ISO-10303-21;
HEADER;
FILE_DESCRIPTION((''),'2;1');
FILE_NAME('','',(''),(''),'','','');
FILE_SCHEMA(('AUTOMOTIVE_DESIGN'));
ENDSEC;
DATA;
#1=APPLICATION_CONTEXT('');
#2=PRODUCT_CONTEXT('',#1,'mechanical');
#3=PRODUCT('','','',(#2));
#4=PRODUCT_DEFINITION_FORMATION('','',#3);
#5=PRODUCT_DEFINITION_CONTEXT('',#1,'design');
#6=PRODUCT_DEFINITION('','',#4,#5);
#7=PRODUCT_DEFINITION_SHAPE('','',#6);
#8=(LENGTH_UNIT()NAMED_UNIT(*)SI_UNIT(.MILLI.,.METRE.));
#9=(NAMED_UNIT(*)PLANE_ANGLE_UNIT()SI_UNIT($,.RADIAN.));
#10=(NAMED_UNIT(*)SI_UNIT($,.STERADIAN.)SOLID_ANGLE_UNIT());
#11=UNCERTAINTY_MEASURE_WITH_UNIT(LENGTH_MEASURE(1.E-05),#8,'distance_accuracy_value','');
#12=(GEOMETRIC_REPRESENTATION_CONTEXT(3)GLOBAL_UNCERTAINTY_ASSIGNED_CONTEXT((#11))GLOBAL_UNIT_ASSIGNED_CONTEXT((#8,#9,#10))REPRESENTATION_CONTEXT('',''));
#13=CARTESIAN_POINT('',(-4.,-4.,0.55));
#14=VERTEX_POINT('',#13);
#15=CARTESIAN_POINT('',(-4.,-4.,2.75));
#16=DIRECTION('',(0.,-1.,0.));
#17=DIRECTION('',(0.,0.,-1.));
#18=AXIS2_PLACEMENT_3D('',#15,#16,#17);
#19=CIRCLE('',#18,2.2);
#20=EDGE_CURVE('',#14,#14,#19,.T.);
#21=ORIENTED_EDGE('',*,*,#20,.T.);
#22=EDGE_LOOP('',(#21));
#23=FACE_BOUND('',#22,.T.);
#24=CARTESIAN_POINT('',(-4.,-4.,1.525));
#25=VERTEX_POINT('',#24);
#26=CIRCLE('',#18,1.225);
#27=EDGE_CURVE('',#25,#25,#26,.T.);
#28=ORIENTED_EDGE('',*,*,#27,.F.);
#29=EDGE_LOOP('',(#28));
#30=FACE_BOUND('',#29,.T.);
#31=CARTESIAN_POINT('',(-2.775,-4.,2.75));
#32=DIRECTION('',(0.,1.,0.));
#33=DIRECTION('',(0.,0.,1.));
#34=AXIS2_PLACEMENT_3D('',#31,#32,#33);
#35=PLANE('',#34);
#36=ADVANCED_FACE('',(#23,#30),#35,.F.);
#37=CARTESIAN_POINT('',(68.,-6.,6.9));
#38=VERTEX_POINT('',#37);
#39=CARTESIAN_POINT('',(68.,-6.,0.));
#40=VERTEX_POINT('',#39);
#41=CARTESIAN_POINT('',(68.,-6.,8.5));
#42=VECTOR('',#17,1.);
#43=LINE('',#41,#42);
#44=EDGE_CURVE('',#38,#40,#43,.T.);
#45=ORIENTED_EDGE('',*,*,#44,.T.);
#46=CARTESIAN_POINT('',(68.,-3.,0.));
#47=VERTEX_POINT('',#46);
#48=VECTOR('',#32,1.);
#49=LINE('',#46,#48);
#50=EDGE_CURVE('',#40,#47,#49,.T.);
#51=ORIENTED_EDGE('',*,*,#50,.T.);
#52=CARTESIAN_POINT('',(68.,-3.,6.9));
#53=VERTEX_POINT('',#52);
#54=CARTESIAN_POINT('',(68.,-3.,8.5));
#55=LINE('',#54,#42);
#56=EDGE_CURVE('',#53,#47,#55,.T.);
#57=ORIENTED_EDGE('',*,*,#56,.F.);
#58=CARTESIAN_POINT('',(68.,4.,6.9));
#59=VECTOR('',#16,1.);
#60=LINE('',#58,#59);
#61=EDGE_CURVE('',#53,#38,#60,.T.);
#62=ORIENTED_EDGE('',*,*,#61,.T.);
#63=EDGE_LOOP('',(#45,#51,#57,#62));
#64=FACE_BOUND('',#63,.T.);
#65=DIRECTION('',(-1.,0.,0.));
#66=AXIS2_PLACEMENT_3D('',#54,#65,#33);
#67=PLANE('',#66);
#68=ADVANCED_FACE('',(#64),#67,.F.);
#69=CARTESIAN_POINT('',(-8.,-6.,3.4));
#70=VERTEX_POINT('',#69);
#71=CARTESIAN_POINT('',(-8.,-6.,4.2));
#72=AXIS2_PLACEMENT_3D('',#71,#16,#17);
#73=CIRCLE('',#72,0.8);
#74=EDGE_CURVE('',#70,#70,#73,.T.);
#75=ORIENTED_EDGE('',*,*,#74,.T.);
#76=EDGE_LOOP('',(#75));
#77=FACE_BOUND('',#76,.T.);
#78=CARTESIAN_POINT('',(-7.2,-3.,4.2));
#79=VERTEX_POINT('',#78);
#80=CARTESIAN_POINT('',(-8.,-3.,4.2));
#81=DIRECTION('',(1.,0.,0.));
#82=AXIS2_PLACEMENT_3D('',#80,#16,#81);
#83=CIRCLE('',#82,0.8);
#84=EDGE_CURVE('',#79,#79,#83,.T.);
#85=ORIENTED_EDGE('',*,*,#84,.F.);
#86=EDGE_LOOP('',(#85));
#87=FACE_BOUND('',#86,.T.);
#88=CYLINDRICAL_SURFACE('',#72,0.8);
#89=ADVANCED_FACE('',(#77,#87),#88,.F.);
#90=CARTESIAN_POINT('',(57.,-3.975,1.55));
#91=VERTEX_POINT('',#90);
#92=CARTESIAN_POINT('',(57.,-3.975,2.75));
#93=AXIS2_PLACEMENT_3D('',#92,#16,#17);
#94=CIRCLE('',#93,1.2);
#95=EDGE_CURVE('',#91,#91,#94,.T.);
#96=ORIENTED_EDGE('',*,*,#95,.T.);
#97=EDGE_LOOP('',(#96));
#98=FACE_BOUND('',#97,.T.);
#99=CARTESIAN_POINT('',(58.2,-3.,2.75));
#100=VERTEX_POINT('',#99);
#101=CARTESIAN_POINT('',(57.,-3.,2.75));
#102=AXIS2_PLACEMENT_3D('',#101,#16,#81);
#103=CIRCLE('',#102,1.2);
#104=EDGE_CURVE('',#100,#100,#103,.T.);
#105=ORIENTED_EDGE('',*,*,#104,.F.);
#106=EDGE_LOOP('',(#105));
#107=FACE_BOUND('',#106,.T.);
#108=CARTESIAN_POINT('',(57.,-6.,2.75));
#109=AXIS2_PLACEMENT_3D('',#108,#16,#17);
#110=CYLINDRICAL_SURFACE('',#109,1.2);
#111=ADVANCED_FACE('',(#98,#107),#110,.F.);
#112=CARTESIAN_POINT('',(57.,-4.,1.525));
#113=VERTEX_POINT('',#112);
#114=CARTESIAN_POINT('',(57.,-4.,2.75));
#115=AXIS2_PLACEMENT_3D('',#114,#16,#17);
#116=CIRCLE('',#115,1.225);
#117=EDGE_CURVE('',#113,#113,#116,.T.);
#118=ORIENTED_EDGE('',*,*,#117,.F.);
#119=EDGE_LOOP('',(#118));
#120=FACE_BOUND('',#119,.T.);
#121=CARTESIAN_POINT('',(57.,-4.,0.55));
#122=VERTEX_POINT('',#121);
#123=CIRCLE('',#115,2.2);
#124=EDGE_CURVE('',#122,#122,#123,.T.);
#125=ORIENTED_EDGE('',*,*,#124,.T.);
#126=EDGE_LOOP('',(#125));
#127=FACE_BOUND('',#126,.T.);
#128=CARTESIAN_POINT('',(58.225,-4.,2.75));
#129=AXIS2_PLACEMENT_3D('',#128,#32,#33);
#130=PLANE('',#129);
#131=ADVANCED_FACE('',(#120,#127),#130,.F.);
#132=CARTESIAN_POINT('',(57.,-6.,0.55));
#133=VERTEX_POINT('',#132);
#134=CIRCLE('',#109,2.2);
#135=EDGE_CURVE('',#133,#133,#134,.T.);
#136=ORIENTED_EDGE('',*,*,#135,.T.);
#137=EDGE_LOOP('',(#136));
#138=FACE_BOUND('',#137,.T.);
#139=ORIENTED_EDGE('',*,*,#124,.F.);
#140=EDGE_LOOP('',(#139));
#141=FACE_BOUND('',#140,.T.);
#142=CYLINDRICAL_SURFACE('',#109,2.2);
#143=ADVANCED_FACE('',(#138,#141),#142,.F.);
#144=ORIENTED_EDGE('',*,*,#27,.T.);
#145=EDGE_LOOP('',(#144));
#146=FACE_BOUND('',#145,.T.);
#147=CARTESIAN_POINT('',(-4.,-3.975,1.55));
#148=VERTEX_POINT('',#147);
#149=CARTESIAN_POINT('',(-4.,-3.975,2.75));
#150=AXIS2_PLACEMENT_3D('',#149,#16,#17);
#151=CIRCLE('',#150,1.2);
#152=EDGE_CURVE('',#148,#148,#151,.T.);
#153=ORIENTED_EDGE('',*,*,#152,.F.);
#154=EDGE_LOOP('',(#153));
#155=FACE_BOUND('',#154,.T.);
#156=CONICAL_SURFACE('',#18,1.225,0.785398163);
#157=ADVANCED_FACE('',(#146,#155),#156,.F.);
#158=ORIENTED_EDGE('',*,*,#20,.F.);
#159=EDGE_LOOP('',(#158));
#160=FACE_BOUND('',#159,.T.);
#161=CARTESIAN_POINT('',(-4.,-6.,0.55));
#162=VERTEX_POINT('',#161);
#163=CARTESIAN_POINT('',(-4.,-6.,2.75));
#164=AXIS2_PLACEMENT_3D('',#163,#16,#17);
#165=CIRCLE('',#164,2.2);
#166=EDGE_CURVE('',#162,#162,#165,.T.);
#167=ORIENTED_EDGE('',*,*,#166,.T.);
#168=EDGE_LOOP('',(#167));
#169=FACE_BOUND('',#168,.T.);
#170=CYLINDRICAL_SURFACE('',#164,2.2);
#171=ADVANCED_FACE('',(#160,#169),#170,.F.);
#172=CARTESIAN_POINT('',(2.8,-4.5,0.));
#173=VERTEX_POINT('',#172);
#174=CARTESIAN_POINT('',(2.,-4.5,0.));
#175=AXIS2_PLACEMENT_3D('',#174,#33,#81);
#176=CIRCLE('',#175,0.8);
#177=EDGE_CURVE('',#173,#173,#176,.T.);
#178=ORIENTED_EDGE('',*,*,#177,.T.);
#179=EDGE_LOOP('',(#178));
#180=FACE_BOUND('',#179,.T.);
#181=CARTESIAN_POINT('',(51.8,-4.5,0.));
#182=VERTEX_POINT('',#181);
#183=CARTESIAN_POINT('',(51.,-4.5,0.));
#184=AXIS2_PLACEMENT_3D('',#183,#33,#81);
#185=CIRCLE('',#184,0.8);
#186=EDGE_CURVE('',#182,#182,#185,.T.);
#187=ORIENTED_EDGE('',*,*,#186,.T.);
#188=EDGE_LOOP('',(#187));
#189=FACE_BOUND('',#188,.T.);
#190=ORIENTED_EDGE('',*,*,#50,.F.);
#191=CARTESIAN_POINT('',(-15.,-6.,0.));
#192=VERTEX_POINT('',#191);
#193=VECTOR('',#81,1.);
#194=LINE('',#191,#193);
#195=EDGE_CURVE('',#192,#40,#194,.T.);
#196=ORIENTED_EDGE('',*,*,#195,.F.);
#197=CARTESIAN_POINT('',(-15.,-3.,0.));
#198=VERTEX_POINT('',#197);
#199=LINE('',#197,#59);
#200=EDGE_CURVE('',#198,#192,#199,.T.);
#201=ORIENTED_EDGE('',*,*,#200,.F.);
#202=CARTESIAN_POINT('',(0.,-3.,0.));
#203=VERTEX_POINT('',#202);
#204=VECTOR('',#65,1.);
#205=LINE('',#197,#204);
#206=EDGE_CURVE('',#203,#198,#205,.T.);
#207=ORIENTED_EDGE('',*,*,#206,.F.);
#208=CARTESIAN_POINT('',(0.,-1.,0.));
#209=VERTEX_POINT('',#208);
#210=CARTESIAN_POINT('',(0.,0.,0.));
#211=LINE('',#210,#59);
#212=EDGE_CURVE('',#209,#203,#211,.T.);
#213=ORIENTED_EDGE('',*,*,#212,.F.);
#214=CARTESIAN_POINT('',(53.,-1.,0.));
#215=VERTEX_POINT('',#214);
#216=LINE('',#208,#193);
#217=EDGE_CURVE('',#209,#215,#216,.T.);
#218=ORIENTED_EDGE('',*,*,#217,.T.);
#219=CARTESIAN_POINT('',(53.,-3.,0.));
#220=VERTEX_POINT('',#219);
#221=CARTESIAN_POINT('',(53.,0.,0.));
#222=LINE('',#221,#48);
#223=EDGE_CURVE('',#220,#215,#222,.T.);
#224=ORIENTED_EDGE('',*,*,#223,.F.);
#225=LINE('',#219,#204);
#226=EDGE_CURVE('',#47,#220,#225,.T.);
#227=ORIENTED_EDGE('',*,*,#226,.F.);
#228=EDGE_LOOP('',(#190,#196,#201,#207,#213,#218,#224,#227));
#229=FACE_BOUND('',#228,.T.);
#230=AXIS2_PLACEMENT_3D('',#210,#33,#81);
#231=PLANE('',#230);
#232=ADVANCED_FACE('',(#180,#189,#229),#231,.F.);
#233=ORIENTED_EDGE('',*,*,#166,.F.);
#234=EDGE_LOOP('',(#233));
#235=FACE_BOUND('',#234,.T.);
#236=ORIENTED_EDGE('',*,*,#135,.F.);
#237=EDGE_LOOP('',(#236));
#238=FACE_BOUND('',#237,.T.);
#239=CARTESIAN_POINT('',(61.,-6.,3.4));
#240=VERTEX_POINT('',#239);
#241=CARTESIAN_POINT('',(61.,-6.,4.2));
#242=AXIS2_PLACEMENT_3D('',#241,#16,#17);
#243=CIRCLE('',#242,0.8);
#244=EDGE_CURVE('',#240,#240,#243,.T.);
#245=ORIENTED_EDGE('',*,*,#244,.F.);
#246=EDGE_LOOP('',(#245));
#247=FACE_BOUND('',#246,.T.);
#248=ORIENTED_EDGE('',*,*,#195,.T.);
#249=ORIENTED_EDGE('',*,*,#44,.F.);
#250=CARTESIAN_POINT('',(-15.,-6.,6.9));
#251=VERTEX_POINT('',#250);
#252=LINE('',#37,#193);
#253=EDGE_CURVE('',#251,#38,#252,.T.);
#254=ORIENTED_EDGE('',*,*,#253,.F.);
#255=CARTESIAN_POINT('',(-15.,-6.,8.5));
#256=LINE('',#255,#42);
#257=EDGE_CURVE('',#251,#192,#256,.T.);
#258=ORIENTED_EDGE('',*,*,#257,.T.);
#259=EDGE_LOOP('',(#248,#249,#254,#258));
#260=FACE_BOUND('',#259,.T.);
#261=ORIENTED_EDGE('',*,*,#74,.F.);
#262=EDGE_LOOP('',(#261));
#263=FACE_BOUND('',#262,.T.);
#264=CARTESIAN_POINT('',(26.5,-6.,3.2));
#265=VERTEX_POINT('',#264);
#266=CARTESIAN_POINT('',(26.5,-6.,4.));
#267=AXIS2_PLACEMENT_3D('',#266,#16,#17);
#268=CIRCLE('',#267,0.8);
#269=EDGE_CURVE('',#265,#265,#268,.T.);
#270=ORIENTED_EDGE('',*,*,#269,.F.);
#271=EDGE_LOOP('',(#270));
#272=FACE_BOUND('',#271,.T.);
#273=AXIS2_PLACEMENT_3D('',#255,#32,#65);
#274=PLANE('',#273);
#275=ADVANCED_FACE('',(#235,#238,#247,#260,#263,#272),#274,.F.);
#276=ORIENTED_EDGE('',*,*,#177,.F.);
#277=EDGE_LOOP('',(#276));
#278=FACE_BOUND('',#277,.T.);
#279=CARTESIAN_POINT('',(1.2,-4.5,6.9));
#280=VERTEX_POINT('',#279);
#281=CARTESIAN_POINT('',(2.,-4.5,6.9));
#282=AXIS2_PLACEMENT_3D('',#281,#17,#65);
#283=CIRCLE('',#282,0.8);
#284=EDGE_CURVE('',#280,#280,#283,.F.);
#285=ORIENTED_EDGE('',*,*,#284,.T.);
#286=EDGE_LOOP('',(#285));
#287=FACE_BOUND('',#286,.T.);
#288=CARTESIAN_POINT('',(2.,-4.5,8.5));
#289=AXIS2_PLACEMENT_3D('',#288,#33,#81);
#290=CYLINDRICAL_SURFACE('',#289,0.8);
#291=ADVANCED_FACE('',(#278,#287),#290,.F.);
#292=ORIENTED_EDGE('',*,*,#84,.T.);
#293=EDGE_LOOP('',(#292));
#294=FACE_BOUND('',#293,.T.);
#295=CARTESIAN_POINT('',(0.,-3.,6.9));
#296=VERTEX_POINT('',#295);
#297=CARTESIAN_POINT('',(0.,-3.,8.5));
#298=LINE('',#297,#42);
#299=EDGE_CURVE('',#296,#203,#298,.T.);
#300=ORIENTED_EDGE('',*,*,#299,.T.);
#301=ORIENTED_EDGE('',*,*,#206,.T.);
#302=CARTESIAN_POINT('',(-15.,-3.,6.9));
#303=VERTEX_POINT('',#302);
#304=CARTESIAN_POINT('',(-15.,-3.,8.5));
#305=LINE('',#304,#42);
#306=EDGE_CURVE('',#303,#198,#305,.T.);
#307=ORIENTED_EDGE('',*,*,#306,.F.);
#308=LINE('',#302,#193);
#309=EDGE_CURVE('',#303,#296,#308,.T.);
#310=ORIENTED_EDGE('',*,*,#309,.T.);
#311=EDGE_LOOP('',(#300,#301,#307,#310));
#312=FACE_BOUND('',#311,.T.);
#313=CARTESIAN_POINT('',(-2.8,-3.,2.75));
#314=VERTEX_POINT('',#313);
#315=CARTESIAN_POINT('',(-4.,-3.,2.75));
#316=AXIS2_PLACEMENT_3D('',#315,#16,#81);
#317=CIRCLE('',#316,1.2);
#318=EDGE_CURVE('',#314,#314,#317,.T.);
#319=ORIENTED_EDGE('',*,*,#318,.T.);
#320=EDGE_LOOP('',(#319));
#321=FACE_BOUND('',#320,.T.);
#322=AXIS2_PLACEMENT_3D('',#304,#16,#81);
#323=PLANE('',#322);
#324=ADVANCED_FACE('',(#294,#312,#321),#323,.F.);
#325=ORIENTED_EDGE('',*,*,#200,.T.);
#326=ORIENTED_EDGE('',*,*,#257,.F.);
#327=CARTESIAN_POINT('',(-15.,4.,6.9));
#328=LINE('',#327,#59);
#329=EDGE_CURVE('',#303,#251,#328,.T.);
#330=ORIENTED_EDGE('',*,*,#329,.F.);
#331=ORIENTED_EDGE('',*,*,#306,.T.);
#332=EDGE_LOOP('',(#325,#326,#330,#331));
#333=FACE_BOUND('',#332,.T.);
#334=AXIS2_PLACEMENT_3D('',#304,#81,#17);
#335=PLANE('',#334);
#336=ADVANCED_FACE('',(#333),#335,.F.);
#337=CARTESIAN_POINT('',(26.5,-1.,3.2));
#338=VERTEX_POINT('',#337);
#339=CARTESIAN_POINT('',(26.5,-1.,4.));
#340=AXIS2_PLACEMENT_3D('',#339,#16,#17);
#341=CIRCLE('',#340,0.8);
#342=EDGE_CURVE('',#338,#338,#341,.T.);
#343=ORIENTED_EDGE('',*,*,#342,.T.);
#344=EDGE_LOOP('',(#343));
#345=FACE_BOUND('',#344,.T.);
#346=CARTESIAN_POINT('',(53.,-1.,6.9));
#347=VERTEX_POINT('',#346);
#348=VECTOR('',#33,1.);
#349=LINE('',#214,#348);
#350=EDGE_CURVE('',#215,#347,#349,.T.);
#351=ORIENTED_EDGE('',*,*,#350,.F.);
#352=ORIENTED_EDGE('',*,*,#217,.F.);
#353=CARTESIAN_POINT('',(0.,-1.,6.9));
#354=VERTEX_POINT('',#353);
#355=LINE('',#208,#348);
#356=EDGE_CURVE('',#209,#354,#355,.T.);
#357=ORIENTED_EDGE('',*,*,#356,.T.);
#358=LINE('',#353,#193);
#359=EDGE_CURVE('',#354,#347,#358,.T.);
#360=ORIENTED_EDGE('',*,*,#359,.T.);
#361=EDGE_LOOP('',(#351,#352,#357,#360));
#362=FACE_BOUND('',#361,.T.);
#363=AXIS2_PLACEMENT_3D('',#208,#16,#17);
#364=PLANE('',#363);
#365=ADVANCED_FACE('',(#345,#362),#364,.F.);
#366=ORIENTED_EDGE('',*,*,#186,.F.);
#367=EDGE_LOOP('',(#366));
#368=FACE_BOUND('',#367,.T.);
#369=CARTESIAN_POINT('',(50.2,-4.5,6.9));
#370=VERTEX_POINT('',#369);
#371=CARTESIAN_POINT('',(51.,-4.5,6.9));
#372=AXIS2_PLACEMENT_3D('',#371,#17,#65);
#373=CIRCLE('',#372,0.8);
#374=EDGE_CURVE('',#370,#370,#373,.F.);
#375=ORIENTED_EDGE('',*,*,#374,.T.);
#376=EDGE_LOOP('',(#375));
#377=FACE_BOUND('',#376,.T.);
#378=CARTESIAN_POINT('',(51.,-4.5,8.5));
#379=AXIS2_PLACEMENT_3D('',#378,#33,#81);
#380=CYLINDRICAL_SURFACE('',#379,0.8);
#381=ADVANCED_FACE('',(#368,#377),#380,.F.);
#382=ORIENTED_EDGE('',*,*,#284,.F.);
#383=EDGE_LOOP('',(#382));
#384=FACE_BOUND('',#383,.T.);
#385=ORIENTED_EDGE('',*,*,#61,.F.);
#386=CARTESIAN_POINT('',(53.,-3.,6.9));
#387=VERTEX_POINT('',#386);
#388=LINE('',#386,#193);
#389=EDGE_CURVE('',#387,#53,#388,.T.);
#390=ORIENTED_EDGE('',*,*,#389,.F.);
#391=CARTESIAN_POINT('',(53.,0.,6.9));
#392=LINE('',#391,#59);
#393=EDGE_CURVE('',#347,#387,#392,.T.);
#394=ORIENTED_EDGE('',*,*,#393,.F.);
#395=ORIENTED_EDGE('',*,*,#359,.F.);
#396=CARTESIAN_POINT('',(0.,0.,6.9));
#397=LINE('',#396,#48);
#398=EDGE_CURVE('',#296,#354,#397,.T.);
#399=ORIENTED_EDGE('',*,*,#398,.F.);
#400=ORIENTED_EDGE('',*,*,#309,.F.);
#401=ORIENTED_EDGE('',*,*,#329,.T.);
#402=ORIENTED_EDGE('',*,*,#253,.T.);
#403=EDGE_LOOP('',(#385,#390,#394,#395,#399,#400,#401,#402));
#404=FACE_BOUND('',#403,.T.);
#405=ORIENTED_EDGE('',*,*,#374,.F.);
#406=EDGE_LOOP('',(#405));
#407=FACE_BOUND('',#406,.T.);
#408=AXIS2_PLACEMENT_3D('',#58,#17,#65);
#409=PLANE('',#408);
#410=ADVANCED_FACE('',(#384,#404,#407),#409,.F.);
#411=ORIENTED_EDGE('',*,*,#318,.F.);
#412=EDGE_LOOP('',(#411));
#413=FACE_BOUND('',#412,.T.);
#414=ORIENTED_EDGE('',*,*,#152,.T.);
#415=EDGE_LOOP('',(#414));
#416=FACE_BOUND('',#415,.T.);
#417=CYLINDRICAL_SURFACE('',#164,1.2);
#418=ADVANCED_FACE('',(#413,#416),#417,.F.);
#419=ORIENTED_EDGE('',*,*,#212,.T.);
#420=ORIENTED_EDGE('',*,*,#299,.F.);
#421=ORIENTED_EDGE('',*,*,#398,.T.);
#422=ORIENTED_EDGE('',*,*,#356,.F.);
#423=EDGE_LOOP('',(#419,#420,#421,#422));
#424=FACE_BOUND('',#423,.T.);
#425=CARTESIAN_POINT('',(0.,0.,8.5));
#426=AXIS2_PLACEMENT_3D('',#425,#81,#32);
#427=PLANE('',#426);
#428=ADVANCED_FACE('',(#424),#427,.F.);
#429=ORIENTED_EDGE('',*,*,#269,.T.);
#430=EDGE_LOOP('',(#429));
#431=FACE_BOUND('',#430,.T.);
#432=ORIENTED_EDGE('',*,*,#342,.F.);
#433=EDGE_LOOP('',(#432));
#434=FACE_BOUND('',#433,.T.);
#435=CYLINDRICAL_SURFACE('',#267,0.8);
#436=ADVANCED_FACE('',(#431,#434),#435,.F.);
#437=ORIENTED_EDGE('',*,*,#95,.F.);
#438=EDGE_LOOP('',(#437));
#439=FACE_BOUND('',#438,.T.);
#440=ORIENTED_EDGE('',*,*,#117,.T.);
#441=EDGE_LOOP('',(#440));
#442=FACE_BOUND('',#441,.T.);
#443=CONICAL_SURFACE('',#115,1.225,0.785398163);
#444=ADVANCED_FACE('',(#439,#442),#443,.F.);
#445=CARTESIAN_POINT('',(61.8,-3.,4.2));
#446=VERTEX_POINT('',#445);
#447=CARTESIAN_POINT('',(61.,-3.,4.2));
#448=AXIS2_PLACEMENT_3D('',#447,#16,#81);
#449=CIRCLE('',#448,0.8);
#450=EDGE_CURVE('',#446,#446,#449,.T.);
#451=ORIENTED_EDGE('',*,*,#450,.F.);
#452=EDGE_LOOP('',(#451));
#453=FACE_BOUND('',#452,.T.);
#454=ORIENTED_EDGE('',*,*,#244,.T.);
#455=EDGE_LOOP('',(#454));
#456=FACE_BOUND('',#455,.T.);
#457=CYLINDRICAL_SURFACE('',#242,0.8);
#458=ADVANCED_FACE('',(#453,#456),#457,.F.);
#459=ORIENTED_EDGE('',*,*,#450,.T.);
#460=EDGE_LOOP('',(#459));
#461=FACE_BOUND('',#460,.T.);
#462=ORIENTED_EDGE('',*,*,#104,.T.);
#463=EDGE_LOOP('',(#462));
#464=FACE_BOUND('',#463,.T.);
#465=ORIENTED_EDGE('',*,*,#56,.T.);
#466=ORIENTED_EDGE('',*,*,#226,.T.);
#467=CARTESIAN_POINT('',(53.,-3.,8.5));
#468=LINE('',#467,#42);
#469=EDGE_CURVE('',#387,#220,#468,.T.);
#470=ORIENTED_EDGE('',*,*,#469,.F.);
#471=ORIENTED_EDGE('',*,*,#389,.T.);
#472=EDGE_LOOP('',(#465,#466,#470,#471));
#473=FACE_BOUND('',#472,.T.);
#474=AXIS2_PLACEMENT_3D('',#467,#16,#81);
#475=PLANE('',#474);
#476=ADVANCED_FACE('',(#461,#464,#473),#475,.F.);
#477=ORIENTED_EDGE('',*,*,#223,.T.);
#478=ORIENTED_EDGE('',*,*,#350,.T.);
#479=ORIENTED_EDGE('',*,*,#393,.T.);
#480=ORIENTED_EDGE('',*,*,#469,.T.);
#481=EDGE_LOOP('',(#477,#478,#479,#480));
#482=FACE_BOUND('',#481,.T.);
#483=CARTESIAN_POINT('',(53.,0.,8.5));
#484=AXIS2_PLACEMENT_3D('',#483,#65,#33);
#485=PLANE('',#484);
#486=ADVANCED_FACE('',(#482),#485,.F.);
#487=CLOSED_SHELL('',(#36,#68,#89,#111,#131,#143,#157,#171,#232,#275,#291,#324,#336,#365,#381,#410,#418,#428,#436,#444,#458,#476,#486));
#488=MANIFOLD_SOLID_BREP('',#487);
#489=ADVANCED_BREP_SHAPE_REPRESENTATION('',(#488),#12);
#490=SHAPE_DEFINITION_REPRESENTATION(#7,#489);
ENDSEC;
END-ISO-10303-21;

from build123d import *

# Parameters (mm, degrees)
BOSS_EXTRUDE1_DEPTH                            = 8.5
CBORE_FOR_M2_SOCKET_HEAD_CAP_SCREW1_AT_2_COUNT = 2
CBORE_FOR_M2_SOCKET_HEAD_CAP_SCREW1_AT_2_PITCH = 61
SKETCH8_W                                      = 53
SKETCH8_H                                      = 1
CUT_EXTRUDE1_DEPTH                             = 9.5
M2X0_4_TAPPED_HOLE8_D                          = 1.6
SKETCH14_W                                     = 83
SKETCH14_H                                     = 1.6
CUT_EXTRUDE2_DEPTH                             = 10
M2X0_4_TAPPED_HOLE7_D                          = 1.6
M2X0_4_TAPPED_HOLE6_D                          = 1.6
M2X0_4_TAPPED_HOLE6_DEPTH                      = 5.2
M2X0_4_TAPPED_HOLE6_TIP                        = 0.480688495


with BuildPart() as part:
    # Sketch1 → Boss-Extrude1 (new body)
    with BuildSketch(Plane.XY):
        Polygon((53, -3), (68, -3), (68, -6), (-15, -6), (-15, -3), (0, -3), (0, 0), (53, 0), align=None)
    extrude(amount=BOSS_EXTRUDE1_DEPTH)

    # Sketch4 → CBORE for M2 Socket Head Cap Screw1 (revolve, cut)
    with BuildSketch(Plane(origin=(-4, -6, 2.75), x_dir=(0, 0, -1), z_dir=(1, 0, 0))):
        Polygon((0, 0), (0, 6), (1.2, 6), (1.2, 2.025), (1.225, 2), (2.2, 2), (2.2, 0), align=None)
    cbore_for_m2_socket_head_cap_screw1 = revolve(axis=Axis((-4, -12.35, 2.75), (0, 1, 0)), mode=Mode.SUBTRACT)

    # CBORE for M2 Socket Head Cap Screw1 at 2: CBORE for M2 Socket Head Cap Screw1 ×2
    with Locations(*[(i * CBORE_FOR_M2_SOCKET_HEAD_CAP_SCREW1_AT_2_PITCH, 0, 0) for i in range(1, CBORE_FOR_M2_SOCKET_HEAD_CAP_SCREW1_AT_2_COUNT)]):
        add(cbore_for_m2_socket_head_cap_screw1, mode=Mode.SUBTRACT)

    # Sketch8 → Cut-Extrude1 (cut, through all)
    with BuildSketch(Plane.XY.offset(8.5)):
        with Locations((26.5, -0.5)):
            Rectangle(SKETCH8_W, SKETCH8_H)
    extrude(amount=-CUT_EXTRUDE1_DEPTH, mode=Mode.SUBTRACT)

    # M2x0.4 Tapped Hole8 (through all)
    with Locations(Plane.XY.offset(8.5)):
        with Locations((2, -4.5), (51, -4.5)):
            Hole(M2X0_4_TAPPED_HOLE8_D / 2)

    # Sketch14 → Cut-Extrude2 (cut)
    with BuildSketch(Plane.XZ.offset(6)):
        with Locations((26.5, 7.7)):
            Rectangle(SKETCH14_W, SKETCH14_H)
    extrude(amount=-CUT_EXTRUDE2_DEPTH, mode=Mode.SUBTRACT)

    # M2x0.4 Tapped Hole7 (through all)
    with Locations(Plane(origin=(0, -6, 0), x_dir=(-1, 0, 0), z_dir=(0, -1, 0))):
        with Locations((8, -4.2), (-61, -4.2)):
            Hole(M2X0_4_TAPPED_HOLE7_D / 2)

    # M2x0.4 Tapped Hole6
    with Locations(Plane(origin=(0, -6, 0), x_dir=(-1, 0, 0), z_dir=(0, -1, 0))):
        with Locations((-26.5, -4)):
            Hole(M2X0_4_TAPPED_HOLE6_D / 2, depth=M2X0_4_TAPPED_HOLE6_DEPTH)
            with Locations((0, 0, -(M2X0_4_TAPPED_HOLE6_DEPTH + M2X0_4_TAPPED_HOLE6_TIP / 2))):  # 118° drill point
                Cone(0, M2X0_4_TAPPED_HOLE6_D / 2, M2X0_4_TAPPED_HOLE6_TIP, mode=Mode.SUBTRACT)


solid = part.part
